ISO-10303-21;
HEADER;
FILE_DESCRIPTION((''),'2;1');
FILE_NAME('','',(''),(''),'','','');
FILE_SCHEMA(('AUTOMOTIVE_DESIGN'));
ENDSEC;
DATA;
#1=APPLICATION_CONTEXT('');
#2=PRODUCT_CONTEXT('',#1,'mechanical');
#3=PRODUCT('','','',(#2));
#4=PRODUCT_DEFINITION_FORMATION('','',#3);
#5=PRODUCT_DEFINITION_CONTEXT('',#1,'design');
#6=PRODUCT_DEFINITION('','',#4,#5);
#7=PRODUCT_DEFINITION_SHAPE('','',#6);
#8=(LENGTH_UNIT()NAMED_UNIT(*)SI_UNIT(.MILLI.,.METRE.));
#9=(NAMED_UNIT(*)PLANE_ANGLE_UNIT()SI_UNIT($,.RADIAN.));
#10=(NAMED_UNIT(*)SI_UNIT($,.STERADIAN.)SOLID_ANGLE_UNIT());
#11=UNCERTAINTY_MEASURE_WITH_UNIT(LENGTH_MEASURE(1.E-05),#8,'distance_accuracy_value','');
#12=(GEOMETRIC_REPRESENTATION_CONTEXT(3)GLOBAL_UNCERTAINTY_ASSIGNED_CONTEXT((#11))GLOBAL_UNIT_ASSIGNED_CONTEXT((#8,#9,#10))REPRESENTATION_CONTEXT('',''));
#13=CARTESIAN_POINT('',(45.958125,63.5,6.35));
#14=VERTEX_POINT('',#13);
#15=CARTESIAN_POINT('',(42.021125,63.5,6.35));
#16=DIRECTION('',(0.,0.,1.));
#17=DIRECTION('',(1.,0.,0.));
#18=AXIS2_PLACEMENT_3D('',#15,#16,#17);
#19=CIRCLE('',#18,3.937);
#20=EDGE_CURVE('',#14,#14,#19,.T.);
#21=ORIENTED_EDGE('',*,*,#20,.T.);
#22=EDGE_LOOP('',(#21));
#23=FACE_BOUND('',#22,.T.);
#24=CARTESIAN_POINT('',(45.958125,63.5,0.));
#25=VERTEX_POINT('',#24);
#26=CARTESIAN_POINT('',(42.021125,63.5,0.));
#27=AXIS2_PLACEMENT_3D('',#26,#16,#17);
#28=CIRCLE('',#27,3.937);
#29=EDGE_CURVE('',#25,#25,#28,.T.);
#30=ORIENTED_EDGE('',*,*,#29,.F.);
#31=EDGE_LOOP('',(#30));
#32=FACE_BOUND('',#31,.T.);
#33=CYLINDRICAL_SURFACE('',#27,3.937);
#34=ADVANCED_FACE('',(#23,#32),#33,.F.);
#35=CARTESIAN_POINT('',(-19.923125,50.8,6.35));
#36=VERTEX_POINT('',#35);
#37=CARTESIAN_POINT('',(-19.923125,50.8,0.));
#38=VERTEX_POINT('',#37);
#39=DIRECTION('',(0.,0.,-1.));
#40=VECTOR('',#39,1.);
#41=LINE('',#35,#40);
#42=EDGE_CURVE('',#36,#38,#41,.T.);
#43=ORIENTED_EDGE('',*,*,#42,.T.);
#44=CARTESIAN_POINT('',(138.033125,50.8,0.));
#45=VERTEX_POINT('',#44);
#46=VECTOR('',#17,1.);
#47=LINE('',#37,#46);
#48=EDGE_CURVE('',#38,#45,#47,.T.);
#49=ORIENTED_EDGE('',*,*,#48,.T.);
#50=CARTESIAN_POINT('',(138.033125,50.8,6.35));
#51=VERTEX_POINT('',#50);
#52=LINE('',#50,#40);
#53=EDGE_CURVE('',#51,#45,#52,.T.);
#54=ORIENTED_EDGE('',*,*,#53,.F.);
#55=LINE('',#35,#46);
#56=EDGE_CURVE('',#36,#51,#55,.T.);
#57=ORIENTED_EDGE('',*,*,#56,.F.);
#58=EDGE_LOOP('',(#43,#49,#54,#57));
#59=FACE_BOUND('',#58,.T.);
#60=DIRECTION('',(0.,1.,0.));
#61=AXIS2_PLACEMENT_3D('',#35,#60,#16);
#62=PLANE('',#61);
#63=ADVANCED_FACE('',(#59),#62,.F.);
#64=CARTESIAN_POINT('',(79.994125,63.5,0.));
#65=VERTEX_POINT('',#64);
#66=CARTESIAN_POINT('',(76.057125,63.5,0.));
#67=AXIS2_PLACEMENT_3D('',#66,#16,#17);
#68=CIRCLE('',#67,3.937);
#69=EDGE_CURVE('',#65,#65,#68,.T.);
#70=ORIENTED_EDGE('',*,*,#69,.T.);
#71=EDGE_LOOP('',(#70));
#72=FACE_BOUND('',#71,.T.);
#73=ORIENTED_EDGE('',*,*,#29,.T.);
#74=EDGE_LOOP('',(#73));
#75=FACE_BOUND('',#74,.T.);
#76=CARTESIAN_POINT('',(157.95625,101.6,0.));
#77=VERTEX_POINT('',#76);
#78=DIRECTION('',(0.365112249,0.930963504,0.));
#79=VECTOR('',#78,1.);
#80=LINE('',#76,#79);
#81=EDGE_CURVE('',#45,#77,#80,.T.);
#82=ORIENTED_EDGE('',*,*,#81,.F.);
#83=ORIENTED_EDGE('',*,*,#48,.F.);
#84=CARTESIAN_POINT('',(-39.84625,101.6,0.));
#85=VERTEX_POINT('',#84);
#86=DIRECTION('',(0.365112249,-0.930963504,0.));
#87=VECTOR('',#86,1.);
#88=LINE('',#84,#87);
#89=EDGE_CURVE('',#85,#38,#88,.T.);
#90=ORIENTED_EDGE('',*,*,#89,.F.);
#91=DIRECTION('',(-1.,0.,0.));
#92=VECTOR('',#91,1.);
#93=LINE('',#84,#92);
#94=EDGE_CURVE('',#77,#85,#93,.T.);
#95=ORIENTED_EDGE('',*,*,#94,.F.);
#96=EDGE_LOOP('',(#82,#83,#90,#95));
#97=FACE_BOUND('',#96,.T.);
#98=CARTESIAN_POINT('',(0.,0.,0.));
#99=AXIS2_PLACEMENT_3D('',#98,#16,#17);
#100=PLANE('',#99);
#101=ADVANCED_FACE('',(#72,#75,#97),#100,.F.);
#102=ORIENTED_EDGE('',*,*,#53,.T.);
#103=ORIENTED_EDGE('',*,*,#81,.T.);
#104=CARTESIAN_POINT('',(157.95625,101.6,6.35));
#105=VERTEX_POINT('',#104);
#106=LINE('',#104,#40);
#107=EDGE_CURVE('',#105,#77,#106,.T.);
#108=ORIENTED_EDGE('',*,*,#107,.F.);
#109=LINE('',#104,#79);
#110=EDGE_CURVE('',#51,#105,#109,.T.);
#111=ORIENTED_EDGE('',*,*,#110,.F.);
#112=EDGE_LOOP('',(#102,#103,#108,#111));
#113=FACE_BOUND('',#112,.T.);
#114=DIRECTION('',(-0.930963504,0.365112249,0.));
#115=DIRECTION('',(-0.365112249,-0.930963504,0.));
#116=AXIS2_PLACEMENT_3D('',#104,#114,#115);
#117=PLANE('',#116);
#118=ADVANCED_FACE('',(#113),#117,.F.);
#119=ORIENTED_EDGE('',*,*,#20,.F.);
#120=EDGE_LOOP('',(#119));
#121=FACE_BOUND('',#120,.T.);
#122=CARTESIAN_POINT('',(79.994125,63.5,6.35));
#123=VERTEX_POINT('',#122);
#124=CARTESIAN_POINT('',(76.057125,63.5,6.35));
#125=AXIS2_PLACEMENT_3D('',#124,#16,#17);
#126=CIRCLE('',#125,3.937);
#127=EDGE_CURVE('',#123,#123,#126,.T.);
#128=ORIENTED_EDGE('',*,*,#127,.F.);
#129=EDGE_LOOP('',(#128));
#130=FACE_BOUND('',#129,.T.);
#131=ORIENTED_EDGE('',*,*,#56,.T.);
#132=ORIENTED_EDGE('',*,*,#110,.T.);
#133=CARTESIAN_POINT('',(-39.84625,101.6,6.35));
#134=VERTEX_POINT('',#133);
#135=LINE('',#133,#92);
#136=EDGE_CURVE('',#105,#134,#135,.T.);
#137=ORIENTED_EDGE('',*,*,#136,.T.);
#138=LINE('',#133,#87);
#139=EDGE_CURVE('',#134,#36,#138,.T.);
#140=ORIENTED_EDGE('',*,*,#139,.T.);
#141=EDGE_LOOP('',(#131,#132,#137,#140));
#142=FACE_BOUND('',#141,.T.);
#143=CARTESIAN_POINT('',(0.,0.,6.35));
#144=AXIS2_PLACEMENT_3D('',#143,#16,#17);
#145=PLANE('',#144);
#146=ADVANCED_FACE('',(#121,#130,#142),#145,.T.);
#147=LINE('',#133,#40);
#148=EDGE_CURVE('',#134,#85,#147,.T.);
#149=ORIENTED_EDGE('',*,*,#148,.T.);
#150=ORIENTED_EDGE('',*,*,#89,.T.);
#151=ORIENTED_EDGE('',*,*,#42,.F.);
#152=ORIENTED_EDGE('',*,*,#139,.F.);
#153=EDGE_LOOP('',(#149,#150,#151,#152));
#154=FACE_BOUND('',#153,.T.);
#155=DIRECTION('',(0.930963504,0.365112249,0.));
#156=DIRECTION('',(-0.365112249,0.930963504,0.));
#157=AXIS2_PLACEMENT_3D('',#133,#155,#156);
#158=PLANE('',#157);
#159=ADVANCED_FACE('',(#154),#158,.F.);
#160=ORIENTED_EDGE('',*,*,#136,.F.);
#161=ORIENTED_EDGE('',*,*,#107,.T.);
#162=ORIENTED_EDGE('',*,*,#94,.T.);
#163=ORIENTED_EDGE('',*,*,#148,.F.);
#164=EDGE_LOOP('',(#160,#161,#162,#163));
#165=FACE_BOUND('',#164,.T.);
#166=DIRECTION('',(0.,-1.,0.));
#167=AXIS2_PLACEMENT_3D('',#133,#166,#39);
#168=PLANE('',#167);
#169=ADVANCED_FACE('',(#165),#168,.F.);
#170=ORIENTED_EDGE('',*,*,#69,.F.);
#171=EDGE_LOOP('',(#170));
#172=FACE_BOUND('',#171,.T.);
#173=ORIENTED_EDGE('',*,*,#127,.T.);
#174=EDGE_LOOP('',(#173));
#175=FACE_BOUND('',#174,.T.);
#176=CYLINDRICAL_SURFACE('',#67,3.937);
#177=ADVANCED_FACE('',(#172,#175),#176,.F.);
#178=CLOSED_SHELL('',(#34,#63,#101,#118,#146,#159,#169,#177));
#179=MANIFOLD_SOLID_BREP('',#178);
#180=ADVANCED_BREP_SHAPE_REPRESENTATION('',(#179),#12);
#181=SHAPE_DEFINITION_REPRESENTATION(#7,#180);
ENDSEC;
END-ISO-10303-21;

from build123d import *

# Parameters (mm, degrees)
BOSS_EXTRUDE2_DEPTH = 6.35
SKETCH3_R           = 3.937
CUT_EXTRUDE1_DEPTH  = 6.35


with BuildPart() as part:
    # Sketch2 → Boss-Extrude2 (new body)
    with BuildSketch(Plane.XY):
        Polygon((-39.84625, 101.6), (157.95625, 101.6), (138.033125, 50.8), (-19.923125, 50.8), align=None)
    extrude(amount=BOSS_EXTRUDE2_DEPTH)

    # Sketch3 → Cut-Extrude1 (cut)
    with BuildSketch(Plane.XY.offset(6.35)):
        with Locations((42.021125, 63.5)):
            Circle(SKETCH3_R)
        with Locations((76.057125, 63.5)):
            Circle(SKETCH3_R)
    extrude(amount=-CUT_EXTRUDE1_DEPTH, mode=Mode.SUBTRACT)


solid = part.part
